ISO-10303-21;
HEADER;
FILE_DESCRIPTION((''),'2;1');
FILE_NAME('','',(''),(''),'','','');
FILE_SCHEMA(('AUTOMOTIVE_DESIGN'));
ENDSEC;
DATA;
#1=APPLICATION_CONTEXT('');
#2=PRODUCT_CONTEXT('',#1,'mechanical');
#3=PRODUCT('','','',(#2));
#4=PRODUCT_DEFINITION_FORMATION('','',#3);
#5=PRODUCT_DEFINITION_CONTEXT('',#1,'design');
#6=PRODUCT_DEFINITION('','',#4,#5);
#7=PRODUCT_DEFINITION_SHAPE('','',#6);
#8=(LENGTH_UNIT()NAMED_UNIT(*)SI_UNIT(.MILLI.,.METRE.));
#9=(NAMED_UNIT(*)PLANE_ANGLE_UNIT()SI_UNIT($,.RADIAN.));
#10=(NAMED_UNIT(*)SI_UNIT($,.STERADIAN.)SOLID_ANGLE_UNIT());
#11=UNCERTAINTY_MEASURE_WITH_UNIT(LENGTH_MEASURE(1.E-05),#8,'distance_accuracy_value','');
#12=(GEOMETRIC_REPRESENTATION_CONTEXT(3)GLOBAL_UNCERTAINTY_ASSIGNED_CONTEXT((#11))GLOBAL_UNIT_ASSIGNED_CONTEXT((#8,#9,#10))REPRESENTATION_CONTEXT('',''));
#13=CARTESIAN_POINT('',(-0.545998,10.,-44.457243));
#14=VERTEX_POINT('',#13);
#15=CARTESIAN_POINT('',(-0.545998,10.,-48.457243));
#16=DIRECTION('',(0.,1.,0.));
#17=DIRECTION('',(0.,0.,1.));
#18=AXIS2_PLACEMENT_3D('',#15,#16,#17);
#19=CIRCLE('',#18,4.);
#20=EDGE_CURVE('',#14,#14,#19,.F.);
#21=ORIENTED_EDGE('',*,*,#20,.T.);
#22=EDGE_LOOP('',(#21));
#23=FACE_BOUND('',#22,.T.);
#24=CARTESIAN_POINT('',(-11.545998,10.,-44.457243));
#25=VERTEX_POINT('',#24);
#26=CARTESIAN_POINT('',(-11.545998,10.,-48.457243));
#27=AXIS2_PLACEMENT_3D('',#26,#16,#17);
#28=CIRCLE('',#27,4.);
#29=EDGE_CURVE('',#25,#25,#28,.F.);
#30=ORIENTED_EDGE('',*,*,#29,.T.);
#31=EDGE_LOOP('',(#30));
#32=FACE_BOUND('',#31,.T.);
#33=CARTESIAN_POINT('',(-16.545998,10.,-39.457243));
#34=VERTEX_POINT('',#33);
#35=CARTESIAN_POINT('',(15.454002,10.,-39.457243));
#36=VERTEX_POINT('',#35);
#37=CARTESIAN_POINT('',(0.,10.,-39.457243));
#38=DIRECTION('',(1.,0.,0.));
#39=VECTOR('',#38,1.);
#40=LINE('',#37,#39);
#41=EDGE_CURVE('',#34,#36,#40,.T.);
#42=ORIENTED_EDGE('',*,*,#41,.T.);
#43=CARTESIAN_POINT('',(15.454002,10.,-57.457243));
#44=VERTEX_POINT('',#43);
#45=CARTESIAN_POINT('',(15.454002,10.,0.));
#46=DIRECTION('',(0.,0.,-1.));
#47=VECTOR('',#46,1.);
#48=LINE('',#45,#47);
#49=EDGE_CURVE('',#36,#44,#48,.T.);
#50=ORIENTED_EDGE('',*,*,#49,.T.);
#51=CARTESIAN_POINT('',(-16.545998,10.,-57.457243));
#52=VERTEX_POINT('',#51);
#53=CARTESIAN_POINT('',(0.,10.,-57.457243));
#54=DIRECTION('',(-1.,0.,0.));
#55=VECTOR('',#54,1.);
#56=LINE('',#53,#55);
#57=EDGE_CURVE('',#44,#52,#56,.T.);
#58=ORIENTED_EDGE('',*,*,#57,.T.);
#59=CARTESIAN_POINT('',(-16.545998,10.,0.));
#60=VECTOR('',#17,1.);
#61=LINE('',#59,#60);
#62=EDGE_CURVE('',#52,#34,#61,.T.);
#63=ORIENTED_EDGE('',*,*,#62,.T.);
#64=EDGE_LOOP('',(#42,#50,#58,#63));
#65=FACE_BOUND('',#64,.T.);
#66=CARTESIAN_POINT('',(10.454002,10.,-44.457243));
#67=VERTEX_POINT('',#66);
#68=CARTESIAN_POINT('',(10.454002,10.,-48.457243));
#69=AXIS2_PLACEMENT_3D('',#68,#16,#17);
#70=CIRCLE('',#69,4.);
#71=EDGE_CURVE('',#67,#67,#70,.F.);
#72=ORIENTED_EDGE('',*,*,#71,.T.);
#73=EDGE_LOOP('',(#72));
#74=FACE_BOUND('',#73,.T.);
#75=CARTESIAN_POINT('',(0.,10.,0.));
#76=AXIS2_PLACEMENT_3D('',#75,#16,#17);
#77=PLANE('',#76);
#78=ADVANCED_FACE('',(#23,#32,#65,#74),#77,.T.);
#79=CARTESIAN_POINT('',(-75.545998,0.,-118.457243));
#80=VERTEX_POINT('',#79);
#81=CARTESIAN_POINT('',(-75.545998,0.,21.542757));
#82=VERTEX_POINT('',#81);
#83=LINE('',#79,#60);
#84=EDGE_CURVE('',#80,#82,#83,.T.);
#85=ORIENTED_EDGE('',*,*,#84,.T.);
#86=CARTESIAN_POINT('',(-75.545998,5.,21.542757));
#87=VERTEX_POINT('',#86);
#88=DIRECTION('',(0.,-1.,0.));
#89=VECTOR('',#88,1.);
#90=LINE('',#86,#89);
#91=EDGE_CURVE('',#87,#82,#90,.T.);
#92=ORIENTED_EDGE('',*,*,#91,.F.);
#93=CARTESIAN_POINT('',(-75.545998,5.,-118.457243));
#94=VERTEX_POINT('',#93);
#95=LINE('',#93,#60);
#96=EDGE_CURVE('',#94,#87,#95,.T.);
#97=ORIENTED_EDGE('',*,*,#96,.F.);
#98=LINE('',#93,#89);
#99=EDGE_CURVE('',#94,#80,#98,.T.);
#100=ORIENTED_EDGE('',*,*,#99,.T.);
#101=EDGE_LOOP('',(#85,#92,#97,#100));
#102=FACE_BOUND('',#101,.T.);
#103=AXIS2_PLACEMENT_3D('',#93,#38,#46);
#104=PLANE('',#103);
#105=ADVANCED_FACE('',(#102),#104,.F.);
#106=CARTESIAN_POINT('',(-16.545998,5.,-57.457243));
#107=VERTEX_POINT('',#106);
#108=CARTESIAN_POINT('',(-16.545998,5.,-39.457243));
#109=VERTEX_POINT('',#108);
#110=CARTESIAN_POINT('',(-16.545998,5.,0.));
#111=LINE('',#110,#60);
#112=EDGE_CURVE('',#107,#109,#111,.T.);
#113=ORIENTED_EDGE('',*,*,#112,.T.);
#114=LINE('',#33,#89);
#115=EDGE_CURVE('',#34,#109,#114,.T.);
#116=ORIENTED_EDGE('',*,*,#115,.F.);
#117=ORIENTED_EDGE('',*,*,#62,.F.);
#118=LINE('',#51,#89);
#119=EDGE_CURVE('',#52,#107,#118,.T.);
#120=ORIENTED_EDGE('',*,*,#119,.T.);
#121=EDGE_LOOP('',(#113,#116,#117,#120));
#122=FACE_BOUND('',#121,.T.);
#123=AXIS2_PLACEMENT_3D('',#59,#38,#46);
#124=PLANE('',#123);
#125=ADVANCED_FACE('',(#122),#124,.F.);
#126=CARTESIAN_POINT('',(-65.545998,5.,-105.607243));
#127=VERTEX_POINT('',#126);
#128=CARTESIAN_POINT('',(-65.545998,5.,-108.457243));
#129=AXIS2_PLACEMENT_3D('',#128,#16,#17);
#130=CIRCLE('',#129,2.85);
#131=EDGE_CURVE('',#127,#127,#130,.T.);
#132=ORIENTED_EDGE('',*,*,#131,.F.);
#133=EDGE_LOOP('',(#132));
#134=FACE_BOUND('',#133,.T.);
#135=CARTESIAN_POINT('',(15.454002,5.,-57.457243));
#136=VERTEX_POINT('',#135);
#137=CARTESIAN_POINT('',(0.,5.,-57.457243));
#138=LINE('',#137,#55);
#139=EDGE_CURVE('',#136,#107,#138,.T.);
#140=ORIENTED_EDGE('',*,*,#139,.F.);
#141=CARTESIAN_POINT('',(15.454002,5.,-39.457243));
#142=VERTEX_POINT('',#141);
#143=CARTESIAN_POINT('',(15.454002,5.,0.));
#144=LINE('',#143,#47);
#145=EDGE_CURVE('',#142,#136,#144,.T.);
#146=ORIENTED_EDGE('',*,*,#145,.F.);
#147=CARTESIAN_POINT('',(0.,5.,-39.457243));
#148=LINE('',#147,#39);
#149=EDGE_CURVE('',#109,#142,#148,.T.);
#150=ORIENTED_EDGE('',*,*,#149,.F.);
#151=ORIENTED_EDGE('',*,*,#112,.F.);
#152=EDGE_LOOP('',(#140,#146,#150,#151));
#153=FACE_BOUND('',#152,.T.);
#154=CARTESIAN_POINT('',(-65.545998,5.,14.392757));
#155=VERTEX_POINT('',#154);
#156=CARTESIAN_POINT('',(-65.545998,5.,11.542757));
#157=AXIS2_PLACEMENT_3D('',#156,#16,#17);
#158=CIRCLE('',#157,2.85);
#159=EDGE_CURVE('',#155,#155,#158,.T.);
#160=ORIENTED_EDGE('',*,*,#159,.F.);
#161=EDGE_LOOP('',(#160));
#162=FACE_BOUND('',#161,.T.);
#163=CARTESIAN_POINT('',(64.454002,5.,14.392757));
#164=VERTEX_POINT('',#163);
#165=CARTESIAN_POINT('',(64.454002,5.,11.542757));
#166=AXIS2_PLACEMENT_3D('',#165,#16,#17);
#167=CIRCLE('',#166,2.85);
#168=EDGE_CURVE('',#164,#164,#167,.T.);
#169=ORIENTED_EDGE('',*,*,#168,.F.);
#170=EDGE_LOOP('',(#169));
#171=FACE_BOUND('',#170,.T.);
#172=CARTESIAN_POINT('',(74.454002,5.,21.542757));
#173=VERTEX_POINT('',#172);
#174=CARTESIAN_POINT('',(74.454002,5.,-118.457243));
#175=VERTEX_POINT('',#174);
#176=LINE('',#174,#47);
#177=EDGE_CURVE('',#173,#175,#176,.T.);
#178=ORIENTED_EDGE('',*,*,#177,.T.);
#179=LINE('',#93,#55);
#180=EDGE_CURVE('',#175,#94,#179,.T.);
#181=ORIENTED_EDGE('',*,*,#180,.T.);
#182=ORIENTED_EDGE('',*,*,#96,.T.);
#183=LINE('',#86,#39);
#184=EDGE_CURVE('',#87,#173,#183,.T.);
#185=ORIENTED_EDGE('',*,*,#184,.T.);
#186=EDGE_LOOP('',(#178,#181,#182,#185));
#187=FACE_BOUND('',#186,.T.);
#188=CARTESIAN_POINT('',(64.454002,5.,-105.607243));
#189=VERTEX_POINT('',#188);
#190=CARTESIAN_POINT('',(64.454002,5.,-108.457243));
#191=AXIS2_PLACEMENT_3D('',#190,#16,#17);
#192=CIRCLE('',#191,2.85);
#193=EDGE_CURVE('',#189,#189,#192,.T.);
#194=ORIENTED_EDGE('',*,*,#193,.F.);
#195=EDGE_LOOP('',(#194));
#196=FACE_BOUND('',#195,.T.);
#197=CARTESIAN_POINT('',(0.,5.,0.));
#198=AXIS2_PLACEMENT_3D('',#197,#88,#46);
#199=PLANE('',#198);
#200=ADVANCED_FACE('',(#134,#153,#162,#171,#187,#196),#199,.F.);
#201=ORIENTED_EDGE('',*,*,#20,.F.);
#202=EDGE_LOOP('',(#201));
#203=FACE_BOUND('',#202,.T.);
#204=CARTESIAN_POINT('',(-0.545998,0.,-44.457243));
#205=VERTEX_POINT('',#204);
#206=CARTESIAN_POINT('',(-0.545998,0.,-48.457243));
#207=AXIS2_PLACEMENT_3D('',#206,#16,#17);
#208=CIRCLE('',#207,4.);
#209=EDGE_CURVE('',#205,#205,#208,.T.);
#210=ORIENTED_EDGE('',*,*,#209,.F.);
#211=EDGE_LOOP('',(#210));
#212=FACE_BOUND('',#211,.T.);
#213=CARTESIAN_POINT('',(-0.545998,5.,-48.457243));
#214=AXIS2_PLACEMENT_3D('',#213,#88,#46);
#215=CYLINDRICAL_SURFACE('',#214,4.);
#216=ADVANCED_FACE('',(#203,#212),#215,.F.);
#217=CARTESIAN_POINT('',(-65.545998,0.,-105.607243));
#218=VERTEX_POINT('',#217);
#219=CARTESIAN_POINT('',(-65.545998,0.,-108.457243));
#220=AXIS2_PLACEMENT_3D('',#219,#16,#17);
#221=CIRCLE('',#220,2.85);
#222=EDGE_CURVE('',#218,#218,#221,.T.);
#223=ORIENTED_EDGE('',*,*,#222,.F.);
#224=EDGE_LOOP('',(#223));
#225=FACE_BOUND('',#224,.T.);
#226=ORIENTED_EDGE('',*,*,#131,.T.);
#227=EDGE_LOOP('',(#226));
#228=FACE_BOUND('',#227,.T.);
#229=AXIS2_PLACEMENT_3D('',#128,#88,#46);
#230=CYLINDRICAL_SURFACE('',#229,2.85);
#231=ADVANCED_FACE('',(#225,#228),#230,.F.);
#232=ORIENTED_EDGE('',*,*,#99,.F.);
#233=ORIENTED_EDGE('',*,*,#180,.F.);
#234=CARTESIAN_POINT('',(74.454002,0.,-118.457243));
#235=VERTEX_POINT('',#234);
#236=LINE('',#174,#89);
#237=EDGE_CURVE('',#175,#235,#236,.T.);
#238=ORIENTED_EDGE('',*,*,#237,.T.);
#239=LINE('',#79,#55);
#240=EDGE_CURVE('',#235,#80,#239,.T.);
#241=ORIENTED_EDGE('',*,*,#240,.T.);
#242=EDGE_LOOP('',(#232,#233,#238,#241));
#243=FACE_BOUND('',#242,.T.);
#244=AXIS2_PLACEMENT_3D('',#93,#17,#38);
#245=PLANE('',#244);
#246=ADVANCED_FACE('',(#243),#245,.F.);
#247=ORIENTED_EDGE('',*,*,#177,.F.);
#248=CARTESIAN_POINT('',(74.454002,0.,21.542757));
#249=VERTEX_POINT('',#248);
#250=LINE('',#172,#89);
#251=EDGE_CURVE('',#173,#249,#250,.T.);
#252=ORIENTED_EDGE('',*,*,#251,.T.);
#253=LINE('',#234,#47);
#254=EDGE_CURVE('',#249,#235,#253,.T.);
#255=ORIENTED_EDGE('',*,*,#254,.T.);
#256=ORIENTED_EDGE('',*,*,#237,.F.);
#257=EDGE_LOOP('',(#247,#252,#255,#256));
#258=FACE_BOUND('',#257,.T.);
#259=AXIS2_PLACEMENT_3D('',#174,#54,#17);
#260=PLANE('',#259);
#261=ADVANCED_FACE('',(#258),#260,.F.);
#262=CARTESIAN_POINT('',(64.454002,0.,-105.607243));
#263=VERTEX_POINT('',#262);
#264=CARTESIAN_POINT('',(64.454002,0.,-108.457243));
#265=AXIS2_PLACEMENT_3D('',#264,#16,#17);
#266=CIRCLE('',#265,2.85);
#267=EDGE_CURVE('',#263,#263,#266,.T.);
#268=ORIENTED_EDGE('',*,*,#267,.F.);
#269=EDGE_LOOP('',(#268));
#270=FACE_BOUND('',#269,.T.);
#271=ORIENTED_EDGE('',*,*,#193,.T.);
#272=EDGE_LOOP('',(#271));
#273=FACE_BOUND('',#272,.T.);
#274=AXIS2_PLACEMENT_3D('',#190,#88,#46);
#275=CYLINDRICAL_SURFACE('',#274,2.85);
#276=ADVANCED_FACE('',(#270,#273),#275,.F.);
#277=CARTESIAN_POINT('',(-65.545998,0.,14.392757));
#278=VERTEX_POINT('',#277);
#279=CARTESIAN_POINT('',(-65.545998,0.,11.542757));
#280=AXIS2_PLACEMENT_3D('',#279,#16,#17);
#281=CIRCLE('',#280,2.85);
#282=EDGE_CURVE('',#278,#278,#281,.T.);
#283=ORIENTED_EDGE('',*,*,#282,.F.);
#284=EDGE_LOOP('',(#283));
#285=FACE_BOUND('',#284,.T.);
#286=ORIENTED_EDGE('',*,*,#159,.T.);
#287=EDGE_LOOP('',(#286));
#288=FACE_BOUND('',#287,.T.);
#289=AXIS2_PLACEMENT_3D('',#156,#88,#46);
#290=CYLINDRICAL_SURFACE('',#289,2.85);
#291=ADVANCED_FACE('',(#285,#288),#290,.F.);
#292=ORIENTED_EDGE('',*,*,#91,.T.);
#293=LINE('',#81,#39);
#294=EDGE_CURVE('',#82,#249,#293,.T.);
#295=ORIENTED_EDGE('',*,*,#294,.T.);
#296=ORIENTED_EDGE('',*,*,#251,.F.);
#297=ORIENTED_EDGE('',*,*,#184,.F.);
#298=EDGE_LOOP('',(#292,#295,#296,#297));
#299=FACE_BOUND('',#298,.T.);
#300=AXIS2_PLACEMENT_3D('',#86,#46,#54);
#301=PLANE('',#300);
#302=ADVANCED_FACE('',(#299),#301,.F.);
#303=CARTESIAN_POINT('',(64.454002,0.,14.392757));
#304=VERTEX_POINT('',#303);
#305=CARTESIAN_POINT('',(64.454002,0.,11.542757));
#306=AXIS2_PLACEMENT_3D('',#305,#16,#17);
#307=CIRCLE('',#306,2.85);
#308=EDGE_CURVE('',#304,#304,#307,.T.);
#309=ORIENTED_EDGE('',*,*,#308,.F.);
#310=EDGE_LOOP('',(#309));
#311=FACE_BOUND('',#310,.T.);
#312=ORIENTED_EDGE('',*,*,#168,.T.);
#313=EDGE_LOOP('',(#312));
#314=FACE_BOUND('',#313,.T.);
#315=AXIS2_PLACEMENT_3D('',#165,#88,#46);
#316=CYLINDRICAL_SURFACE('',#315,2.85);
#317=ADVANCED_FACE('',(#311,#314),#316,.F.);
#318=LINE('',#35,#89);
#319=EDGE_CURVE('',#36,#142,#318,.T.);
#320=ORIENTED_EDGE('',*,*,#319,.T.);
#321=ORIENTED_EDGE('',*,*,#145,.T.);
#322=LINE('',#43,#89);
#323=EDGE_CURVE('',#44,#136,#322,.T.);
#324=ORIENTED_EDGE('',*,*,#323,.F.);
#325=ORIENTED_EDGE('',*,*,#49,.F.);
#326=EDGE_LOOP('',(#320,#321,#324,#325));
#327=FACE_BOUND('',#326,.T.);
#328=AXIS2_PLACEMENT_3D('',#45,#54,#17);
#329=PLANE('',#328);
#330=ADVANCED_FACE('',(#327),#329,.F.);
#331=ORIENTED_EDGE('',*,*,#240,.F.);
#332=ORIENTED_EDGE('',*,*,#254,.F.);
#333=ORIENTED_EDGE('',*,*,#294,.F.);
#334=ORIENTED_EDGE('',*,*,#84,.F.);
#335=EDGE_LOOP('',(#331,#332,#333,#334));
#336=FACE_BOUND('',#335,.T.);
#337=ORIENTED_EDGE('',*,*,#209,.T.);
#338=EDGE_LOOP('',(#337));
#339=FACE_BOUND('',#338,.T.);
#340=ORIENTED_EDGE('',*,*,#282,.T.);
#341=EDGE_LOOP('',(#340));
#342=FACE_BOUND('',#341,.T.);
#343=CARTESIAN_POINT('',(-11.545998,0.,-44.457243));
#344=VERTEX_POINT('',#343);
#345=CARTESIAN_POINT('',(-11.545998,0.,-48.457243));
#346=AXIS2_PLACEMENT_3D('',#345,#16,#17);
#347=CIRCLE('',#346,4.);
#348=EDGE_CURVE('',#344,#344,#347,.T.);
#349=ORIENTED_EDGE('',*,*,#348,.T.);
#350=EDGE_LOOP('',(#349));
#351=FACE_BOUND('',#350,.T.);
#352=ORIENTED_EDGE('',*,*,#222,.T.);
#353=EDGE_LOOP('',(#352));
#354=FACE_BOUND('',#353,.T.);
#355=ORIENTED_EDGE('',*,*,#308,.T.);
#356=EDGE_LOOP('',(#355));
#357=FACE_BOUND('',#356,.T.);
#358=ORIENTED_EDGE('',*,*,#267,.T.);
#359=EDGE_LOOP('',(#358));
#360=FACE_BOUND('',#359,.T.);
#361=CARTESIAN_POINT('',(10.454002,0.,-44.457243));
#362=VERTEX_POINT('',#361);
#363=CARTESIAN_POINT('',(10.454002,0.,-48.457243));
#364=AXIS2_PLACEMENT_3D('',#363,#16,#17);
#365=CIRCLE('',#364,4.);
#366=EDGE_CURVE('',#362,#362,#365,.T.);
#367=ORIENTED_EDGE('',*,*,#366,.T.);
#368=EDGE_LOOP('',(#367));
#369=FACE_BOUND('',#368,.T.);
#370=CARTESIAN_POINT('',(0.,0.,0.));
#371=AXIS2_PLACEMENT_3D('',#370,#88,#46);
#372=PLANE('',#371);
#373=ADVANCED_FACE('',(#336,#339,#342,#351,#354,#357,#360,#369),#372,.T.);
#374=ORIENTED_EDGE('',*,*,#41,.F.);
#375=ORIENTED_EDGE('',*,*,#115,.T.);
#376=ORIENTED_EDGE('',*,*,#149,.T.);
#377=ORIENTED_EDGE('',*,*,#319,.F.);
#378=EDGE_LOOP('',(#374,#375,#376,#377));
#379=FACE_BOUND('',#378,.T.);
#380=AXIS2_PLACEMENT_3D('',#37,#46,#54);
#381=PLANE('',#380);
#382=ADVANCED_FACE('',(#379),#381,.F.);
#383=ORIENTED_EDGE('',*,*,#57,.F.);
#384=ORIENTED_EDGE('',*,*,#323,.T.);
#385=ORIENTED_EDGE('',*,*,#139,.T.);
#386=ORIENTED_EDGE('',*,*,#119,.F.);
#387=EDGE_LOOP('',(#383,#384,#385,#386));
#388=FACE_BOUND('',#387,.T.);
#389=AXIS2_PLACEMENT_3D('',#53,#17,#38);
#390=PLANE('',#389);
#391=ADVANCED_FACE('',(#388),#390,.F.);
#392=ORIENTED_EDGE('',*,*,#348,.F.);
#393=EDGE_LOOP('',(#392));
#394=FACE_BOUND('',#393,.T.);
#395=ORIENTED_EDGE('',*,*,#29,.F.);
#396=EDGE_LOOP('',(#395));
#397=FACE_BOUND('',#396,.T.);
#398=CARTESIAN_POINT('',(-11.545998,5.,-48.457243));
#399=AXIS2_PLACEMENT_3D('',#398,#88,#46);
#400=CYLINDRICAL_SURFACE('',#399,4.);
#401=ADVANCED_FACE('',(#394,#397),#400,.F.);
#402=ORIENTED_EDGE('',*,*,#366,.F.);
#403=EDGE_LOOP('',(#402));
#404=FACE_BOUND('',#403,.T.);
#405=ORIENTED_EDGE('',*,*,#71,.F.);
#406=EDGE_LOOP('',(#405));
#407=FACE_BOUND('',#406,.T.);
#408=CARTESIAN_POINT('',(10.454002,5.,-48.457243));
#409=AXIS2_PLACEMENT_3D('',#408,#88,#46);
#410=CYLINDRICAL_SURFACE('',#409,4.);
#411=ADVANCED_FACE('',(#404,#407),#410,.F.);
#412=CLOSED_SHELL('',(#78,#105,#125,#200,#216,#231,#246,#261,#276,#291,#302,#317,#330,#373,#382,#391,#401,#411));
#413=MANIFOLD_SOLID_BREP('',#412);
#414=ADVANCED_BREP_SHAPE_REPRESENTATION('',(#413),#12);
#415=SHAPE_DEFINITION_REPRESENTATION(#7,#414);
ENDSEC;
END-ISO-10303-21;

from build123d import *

# Parameters (mm, degrees)
SKETCH1_W           = 150
SKETCH1_H           = 140
SKETCH1_R           = 2.85
SKETCH1_R_2         = 4
BOSS_EXTRUDE1_DEPTH = 5
SKETCH2_W           = 32
SKETCH2_H           = 18
SKETCH2_R           = 4
BOSS_EXTRUDE2_DEPTH = 5


with BuildPart() as part:
    # Sketch1 → Boss-Extrude1 (new body)
    with BuildSketch(Plane(origin=(0, 0, 0), x_dir=(1, 0, 0), z_dir=(0, 1, 0))):
        with Locations((-0.545997502, 48.457242913)):
            Rectangle(SKETCH1_W, SKETCH1_H)
        with Locations(Location((-65.545997502, 108.457242913, 0), (0, 0, 270))):
            Circle(SKETCH1_R, mode=Mode.SUBTRACT)
        with Locations(Location((64.454002498, 108.457242913, 0), (0, 0, 270))):
            Circle(SKETCH1_R, mode=Mode.SUBTRACT)
        with Locations(Location((64.454002498, -11.542757087, 0), (0, 0, 270))):
            Circle(SKETCH1_R, mode=Mode.SUBTRACT)
        with Locations(Location((-65.545997502, -11.542757087, 0), (0, 0, 270))):
            Circle(SKETCH1_R, mode=Mode.SUBTRACT)
        with Locations(Location((-11.545997502, 48.457242913, 0), (0, 0, 270))):
            Circle(SKETCH1_R_2, mode=Mode.SUBTRACT)
        with Locations(Location((-0.545997502, 48.457242913, 0), (0, 0, 270))):
            Circle(SKETCH1_R_2, mode=Mode.SUBTRACT)
        with Locations(Location((10.454002498, 48.457242913, 0), (0, 0, 270))):
            Circle(SKETCH1_R_2, mode=Mode.SUBTRACT)
    extrude(amount=BOSS_EXTRUDE1_DEPTH)

    # Sketch2 → Boss-Extrude2 (add)
    with BuildSketch(Plane(origin=(0, 5, 0), x_dir=(1, 0, 0), z_dir=(0, 1, 0))):
        with Locations((-0.545997502, 48.457242913)):
            Rectangle(SKETCH2_W, SKETCH2_H)
        with Locations(Location((-0.545997502, 48.457242913, 0), (0, 0, 270))):
            Circle(SKETCH2_R, mode=Mode.SUBTRACT)
        with Locations(Location((10.454002498, 48.457242913, 0), (0, 0, 270))):
            Circle(SKETCH2_R, mode=Mode.SUBTRACT)
        with Locations(Location((-11.545997502, 48.457242913, 0), (0, 0, 270))):
            Circle(SKETCH2_R, mode=Mode.SUBTRACT)
    extrude(amount=BOSS_EXTRUDE2_DEPTH)


solid = part.part
